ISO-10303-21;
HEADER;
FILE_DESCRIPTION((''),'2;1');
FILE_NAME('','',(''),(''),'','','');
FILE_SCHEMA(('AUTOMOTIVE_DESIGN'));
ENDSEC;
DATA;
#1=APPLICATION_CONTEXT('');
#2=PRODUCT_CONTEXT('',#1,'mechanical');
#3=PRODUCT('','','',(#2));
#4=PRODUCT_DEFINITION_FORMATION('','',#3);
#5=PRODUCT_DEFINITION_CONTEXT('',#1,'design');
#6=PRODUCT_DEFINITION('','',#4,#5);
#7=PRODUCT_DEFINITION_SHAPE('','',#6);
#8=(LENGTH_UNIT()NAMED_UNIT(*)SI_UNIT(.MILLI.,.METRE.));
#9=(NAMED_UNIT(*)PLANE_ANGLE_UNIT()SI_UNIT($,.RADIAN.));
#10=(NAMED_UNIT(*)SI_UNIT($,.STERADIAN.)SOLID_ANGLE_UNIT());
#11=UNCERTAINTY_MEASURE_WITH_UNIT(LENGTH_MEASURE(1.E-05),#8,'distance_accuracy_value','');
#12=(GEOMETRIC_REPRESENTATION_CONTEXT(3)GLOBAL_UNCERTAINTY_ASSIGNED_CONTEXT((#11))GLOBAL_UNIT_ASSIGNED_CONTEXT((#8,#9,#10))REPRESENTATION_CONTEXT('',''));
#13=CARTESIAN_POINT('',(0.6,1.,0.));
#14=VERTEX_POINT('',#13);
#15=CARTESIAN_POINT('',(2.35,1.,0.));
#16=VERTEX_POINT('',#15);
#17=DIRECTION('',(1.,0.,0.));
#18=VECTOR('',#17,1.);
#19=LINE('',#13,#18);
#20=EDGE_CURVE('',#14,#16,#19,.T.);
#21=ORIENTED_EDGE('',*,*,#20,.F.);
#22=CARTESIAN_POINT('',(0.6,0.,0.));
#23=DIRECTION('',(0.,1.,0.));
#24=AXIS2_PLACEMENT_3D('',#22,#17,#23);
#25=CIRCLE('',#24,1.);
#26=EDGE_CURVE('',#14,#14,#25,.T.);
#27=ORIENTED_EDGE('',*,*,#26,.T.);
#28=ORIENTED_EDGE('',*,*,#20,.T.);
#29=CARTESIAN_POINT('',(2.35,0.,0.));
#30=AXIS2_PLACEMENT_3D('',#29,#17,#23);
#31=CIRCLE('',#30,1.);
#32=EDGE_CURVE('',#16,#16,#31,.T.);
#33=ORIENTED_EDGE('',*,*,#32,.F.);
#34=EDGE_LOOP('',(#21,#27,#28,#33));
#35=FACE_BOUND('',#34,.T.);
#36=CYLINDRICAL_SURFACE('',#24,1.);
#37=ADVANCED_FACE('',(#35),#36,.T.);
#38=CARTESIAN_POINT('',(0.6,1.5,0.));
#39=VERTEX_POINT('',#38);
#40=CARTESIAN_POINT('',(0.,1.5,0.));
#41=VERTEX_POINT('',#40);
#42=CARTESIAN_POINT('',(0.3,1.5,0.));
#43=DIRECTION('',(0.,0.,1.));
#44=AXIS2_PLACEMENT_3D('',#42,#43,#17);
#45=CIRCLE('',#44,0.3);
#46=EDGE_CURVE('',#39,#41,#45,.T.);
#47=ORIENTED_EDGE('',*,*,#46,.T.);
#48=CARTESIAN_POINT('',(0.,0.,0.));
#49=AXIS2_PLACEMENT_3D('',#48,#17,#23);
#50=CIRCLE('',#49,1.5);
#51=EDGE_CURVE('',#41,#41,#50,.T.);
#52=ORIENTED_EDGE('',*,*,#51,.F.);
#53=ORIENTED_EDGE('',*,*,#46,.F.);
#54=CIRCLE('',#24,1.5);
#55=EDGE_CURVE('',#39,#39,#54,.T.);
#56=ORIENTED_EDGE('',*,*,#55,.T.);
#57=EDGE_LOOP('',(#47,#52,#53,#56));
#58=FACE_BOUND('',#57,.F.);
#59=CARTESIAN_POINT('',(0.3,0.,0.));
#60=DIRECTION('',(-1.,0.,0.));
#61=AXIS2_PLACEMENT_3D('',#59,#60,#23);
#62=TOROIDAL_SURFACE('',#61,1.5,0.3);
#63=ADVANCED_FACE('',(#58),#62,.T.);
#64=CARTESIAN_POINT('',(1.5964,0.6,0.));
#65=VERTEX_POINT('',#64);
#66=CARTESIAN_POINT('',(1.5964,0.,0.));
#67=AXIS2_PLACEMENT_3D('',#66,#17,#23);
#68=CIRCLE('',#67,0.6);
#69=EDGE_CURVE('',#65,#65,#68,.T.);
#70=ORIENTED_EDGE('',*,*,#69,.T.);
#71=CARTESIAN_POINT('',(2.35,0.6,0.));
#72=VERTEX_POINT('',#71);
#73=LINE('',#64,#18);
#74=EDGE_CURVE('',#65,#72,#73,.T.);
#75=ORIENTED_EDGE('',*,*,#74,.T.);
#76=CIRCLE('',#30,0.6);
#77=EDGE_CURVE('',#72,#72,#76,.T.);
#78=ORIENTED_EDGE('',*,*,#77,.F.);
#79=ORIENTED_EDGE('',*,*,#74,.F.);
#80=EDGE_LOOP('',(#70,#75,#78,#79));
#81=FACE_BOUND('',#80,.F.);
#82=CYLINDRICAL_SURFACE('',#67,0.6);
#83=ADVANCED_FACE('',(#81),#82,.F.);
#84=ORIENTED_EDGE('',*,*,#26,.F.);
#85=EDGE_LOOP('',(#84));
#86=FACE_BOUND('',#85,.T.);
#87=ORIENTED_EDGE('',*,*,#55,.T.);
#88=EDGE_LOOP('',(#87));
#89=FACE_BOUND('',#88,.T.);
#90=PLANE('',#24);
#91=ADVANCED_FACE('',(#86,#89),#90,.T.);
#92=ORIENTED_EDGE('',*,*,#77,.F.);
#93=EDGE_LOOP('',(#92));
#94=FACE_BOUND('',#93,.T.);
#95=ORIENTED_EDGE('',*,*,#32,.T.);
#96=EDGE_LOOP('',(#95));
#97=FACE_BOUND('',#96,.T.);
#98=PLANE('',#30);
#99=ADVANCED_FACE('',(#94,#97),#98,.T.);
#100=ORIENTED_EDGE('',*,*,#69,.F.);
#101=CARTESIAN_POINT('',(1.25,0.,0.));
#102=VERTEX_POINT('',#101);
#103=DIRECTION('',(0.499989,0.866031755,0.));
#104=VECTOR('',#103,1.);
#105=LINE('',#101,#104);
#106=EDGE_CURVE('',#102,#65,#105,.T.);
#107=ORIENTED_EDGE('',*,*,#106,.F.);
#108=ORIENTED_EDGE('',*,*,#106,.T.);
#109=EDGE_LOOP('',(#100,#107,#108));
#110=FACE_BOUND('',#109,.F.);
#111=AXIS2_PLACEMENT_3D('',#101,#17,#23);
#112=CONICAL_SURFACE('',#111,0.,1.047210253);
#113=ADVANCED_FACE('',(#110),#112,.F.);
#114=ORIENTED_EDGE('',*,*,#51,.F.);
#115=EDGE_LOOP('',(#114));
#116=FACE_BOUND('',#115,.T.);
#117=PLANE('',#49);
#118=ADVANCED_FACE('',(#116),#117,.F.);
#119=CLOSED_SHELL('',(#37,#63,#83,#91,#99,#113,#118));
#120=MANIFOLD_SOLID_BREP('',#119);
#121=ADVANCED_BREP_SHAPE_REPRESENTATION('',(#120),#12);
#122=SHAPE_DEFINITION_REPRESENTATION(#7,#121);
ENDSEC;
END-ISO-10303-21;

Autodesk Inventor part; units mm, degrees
ref_plane "YZ Plane" through (0, 0, 0) normal (1, 0, 0) x (0, 1, 0)
ref_plane "XZ Plane" through (0, 0, 0) normal (0, 1, 0) x (-1, 0, 0)
ref_plane "XY Plane" through (0, 0, 0) normal (0, 0, 1) x (1, 0, 0)
sketch "Sketch1" plane through (0, 0, 0) normal (0, 0, 1) x (1, 0, 0)
  arc A0 (0.6, 1.5) -> (0, 1.5) centre (0.3, 1.5) ccw
  line L0 (0, 0) -> (0, 1.5)
  line L1 (0.6, 1) -> (2.35, 1)
  line L2 (0.6, 1.5) -> (0.6, 1)
  line L3 (1.5964, 0.6) -> (2.35, 0.6)
  line L4 (2.35, 1) -> (2.35, 0.6)
  line L5 (1.25, 0) -> (1.5964, 0.6)
  line L6 (0, 0) -> (1.25, 0)
  point P0 (0, 1)
  dimension "d1" = 0.6
  dimension "d3" = 1.75
  dimension "d6" = 1.25
  dimension "d8" = 120
  dimension "d9" = 1.2
  dimension "d10" = 2
  dimension "d11" = 3
revolve "Revolution1" add sketch "Sketch1" angle 360 about axis through (0, 0, 0) along (1, 0, 0)
properties part number "Rivet" material "Brass, Soft Yellow"
